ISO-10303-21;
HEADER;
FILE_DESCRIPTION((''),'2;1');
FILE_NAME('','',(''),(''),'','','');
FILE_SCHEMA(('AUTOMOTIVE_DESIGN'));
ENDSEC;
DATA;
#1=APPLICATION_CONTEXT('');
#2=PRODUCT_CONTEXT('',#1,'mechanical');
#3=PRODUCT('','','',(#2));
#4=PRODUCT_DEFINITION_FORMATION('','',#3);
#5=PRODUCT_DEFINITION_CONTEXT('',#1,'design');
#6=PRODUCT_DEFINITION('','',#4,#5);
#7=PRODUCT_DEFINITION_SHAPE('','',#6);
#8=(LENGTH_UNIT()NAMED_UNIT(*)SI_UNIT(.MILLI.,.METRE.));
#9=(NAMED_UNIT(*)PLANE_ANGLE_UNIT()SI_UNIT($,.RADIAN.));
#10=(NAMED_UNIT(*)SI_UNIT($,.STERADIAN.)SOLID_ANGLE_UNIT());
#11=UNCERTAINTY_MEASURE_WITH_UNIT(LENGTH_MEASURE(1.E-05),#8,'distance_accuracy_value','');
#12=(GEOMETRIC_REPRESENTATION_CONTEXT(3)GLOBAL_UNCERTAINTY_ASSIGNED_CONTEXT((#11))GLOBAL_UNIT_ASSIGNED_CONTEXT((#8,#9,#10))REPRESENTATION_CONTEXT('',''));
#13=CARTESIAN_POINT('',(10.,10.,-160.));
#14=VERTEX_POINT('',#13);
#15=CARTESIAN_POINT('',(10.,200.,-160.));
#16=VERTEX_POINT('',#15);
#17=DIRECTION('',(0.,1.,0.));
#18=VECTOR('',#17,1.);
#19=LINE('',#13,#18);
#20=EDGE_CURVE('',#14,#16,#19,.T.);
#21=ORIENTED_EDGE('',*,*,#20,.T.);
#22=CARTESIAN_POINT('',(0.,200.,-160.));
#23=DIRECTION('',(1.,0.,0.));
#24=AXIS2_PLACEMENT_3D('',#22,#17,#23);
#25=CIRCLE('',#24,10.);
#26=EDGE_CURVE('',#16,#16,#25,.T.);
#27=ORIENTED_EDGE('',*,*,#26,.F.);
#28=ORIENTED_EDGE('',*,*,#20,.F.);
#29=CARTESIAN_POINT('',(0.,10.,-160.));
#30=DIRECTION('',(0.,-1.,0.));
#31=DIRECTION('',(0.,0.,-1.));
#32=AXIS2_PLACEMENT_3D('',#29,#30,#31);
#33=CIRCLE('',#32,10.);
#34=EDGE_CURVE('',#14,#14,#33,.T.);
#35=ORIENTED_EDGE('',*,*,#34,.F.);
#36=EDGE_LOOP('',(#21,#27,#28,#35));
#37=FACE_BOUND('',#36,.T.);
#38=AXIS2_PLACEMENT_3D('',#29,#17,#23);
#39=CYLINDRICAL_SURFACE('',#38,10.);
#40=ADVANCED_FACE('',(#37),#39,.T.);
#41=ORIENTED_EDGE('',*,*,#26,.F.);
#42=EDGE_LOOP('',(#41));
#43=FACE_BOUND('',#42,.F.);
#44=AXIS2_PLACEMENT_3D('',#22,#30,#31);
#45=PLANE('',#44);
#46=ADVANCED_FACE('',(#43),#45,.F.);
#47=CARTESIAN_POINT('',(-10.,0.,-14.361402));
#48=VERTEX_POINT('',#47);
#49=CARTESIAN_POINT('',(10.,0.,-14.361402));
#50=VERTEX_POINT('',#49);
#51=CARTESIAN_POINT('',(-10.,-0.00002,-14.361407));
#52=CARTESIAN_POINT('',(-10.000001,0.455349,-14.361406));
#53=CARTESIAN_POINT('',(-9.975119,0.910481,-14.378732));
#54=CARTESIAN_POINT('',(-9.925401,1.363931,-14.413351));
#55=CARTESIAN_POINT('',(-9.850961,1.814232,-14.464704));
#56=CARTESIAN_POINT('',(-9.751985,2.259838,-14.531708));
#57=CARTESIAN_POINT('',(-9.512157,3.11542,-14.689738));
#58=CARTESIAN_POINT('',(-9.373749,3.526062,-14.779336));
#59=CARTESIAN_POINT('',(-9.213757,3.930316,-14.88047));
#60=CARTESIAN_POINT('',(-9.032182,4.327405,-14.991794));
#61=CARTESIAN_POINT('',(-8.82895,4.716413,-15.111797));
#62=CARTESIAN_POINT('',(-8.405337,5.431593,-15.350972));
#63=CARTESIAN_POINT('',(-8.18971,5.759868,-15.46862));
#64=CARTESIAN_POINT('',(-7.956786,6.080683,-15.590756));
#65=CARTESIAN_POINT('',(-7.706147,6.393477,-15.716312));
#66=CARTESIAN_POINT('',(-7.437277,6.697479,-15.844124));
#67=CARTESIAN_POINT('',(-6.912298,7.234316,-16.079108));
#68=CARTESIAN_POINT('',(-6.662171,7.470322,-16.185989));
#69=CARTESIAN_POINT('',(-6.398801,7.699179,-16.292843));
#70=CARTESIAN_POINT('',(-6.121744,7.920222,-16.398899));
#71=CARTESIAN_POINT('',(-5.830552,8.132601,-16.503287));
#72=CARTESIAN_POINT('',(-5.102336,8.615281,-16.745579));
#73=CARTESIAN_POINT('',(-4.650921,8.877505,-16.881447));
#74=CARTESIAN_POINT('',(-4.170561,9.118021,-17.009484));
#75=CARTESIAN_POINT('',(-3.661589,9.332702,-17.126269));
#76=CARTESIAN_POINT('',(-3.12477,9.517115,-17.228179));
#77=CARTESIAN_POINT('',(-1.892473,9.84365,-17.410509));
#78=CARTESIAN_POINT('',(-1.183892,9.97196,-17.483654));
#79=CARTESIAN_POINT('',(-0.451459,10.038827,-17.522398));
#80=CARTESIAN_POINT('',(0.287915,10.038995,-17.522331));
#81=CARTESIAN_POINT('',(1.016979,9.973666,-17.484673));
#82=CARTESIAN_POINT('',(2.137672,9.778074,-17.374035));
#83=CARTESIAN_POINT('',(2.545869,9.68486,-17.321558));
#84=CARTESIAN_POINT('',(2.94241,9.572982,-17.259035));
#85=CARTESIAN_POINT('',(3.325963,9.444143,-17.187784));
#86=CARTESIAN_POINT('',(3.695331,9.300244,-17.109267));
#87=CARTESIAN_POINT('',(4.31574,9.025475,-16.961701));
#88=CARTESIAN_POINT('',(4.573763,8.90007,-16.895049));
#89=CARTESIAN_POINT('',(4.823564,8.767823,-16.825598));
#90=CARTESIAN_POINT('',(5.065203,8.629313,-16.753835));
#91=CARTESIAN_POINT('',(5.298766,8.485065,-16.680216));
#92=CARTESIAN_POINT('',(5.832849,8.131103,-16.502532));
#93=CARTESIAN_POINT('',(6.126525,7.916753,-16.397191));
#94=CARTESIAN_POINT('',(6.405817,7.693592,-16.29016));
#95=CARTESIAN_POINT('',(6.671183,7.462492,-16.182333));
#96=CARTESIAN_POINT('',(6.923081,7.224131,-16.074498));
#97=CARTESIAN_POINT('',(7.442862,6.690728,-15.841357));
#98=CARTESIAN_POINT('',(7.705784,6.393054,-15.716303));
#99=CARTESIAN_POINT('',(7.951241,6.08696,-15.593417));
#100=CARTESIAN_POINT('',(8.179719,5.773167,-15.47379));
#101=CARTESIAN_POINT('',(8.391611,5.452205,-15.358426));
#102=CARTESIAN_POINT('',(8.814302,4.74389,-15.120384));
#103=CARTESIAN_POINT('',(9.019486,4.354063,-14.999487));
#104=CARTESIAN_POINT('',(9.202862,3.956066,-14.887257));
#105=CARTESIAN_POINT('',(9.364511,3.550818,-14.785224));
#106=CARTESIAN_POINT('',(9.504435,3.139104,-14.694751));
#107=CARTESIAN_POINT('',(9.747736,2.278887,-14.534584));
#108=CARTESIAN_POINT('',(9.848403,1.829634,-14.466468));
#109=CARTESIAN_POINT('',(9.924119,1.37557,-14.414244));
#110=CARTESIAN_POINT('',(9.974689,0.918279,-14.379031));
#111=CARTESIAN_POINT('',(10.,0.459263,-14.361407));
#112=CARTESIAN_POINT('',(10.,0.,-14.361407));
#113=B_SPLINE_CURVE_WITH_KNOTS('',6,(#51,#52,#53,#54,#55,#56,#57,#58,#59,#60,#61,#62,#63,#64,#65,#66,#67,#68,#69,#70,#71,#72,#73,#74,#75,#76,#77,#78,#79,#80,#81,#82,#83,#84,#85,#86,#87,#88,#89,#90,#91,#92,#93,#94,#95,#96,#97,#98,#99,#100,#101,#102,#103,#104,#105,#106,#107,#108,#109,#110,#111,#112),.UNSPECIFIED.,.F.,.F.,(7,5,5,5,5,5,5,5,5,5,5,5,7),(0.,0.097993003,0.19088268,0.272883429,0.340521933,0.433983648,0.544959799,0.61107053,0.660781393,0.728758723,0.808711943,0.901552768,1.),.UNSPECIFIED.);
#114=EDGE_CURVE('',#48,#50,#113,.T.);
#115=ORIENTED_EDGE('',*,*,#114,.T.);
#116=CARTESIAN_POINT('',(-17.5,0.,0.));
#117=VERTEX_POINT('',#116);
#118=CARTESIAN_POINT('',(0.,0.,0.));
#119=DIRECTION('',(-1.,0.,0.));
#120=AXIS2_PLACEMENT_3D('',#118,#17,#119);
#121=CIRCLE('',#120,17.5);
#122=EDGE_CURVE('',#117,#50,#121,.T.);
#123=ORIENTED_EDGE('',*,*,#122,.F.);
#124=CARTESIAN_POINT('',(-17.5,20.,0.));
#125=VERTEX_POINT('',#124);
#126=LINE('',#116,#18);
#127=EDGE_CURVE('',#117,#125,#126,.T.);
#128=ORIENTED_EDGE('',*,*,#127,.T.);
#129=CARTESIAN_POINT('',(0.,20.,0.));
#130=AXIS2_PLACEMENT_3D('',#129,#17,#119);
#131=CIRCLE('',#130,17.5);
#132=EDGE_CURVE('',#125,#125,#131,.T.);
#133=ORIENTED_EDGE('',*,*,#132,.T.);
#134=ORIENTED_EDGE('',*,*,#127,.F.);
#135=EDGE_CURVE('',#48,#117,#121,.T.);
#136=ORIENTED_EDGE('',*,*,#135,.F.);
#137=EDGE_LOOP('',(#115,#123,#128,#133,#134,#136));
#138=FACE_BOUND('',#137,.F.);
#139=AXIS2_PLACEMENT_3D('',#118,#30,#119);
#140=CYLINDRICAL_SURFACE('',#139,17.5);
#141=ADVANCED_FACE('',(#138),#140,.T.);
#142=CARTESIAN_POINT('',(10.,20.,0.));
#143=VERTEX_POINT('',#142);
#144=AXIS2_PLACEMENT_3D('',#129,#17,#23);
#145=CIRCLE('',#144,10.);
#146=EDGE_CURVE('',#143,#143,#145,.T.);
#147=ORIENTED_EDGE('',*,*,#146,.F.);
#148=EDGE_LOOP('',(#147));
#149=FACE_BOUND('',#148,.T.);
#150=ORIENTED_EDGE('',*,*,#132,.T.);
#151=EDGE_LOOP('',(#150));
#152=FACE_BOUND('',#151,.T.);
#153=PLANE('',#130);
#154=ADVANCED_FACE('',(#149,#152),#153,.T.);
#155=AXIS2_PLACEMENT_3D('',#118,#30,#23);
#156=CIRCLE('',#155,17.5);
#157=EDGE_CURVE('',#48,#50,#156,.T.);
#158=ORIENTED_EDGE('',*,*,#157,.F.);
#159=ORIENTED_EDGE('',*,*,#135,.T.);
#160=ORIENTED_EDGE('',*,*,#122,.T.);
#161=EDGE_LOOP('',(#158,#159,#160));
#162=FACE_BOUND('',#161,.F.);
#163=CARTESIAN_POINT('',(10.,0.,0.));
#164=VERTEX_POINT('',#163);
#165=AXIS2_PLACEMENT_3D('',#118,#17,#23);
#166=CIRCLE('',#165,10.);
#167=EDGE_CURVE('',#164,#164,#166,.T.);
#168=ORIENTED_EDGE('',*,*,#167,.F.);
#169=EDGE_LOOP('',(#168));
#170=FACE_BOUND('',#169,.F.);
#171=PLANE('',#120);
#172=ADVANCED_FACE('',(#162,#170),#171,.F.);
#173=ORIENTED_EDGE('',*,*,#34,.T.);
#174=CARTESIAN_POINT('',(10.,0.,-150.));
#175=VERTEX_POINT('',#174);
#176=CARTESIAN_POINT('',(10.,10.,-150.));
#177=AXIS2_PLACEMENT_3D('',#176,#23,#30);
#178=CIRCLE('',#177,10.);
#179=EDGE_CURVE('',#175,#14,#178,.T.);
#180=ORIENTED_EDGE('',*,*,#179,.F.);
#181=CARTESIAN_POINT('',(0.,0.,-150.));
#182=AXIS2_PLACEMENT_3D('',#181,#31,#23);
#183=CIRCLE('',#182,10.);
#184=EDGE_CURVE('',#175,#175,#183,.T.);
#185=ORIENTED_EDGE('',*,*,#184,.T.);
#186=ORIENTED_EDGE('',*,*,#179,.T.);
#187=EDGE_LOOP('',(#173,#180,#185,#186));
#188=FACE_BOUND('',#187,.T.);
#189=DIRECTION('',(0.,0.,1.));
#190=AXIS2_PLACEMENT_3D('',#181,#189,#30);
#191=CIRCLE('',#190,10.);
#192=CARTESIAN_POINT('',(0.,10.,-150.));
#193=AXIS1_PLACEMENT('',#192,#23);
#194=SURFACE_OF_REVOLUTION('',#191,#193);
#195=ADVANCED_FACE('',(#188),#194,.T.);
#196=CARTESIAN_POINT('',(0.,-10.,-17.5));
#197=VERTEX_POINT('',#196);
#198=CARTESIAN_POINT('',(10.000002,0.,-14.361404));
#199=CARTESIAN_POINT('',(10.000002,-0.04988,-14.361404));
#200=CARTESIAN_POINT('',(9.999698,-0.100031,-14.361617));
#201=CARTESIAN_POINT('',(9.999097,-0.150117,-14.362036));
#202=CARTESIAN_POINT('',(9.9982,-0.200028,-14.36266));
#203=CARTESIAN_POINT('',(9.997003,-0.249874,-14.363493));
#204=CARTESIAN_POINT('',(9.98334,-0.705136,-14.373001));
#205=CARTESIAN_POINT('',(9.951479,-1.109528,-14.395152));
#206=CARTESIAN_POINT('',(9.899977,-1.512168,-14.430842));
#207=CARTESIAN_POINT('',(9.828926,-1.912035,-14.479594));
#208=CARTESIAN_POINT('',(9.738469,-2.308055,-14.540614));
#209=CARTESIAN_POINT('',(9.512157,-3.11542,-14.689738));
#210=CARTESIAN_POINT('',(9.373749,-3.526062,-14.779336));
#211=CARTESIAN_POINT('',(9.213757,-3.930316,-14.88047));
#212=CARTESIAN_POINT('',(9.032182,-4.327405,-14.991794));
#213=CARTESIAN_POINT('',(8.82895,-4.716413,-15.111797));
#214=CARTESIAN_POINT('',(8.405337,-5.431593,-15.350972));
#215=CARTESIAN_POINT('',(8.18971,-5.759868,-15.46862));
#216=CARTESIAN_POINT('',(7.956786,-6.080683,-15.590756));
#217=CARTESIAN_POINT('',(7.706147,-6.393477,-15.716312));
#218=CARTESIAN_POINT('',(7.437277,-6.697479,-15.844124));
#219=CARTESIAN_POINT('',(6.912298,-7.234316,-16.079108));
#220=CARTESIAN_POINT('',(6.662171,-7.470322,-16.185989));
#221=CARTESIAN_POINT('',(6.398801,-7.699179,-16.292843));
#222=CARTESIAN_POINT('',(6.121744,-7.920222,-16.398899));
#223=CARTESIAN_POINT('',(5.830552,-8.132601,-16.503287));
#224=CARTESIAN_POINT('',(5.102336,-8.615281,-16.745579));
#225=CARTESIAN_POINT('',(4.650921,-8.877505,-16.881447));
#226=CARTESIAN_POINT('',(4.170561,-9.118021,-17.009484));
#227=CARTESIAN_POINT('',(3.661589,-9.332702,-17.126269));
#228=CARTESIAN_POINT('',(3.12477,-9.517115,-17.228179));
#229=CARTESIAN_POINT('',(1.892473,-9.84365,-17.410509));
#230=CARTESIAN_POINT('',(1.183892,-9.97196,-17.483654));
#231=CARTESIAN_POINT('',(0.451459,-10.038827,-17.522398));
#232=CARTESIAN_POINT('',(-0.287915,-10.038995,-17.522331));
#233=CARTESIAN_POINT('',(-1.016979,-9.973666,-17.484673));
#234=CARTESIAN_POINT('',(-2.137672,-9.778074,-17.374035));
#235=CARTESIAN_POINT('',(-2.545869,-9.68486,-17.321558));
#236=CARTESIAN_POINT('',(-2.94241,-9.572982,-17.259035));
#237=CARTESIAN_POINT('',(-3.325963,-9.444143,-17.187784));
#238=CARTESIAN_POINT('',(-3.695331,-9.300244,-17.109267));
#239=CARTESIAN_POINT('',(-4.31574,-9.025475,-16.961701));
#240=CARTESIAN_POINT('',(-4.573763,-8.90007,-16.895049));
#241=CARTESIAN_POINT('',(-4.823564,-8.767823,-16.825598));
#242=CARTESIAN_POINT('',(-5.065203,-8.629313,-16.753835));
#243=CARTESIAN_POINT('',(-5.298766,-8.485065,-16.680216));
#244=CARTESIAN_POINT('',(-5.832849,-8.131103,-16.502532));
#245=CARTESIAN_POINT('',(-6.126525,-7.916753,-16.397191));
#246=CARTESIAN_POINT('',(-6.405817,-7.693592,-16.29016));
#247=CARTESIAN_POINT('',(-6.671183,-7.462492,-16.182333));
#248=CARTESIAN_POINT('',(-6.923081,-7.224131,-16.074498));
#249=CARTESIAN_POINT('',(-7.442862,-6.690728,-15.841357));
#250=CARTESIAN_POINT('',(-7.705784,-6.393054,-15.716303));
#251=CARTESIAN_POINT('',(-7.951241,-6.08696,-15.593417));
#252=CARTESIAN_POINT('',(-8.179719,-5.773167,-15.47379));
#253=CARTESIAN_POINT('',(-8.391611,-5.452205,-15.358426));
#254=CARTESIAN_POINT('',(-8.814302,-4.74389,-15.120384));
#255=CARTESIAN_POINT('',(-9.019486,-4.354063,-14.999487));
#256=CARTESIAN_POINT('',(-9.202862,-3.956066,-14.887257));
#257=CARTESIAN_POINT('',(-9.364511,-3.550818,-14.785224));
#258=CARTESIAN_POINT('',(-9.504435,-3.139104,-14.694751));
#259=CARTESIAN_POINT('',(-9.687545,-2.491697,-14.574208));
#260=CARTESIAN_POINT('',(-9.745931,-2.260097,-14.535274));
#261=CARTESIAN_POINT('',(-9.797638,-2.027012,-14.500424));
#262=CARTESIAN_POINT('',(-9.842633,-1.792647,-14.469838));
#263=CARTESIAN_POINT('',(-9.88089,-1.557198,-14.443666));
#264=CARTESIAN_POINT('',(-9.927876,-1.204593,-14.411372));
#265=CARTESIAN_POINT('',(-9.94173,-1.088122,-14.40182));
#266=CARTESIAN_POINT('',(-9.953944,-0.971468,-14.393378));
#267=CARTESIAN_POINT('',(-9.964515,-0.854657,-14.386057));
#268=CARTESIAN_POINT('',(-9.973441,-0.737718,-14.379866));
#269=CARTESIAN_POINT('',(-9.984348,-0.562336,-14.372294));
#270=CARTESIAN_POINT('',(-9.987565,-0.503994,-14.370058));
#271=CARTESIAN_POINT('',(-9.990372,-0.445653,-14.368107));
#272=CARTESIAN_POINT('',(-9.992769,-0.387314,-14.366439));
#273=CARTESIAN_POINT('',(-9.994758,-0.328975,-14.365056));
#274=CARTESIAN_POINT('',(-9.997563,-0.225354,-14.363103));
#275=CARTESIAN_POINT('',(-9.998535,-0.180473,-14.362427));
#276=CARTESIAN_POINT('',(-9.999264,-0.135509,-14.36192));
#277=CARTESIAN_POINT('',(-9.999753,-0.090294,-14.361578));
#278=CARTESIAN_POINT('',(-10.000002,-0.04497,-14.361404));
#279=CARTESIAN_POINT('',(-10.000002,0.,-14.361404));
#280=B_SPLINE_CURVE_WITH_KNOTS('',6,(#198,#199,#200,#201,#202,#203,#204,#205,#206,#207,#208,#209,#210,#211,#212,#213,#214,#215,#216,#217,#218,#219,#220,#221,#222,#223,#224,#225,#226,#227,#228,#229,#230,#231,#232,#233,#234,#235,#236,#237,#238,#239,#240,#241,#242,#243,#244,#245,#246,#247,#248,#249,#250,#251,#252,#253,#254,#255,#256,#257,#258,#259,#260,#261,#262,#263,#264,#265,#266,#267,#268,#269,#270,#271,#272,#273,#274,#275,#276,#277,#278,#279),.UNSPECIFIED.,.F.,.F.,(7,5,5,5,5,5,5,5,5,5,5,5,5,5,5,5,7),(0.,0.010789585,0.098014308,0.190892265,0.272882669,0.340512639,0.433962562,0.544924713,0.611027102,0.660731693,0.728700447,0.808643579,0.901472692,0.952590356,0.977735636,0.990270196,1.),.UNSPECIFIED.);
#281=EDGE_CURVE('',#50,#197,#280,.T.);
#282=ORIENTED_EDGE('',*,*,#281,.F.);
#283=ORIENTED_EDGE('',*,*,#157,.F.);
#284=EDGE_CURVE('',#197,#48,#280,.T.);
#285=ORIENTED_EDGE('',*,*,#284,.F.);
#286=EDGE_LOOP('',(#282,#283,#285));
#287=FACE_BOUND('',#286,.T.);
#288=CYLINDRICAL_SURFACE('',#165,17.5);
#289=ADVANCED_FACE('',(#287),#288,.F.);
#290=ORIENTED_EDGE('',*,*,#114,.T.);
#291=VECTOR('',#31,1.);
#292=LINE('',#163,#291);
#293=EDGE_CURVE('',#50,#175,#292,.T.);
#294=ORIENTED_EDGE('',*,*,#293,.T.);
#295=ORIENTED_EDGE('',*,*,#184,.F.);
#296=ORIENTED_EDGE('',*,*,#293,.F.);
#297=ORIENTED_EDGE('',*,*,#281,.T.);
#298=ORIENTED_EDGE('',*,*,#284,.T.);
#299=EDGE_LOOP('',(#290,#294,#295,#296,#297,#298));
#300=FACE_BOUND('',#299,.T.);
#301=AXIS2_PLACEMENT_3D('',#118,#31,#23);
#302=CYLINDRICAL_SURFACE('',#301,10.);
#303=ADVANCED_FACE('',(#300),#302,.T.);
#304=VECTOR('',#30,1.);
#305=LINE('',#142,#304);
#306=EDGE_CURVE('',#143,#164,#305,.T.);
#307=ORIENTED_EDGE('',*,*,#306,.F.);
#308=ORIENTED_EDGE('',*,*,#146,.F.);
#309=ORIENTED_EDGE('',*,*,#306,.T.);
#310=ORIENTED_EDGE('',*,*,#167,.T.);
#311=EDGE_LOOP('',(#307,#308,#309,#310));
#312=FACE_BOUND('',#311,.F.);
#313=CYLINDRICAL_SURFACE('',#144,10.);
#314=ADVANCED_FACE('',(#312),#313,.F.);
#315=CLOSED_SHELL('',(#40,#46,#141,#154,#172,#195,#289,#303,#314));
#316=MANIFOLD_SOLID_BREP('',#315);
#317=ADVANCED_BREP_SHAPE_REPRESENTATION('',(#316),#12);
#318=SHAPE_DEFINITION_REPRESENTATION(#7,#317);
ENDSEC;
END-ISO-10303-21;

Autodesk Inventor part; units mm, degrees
ref_plane "YZ Plane" through (0, 0, 0) normal (1, 0, 0) x (0, 1, 0)
ref_plane "XZ Plane" through (0, 0, 0) normal (0, 1, 0) x (-1, 0, 0)
ref_plane "XY Plane" through (0, 0, 0) normal (0, 0, 1) x (1, 0, 0)
sketch "Sketch1" plane through (0, 0, 0) normal (0, 0, 1) x (1, 0, 0)
  circle A0 centre (0, 0) radius 10
  dimension "d0" = 20
sketch "Sketch2" plane through (0, 0, 0) normal (1, 0, 0) x (0, 1, 0)
  line L0 (0, 0) -> (0, -150)
  line L1 (10, -160) -> (200, -160)
  arc A0 (0, -150) -> (10, -160) centre (10, -150) ccw
  point P0 (0, -160)
  dimension "d1" = 160
  dimension "d2" = 200
  dimension "d3" = 10
sweep "Sweep1" add profiles "Sketch1" path "Sketch2"
thread "Thread1"
sketch "Sketch3" plane through (0, 0, 0) normal (0, 1, 0) x (-1, 0, 0)
  circle A0 centre (0, 0) radius 17.5
  dimension "d8" = 35
extrude "Extrusion1" add sketch "Sketch3" along normal blind 20
sketch "Sketch4" plane through (0, 20, 0) normal (0, 1, 0) x (1, 0, 0)
  circle A0 centre (0, 0) radius 10
  dimension "d11" = 20
extrude "Extrusion2" cut sketch "Sketch4" against normal through all
sketch "Sketch5" plane through (0, 0, 0) normal (0, -1, 0) x (1, 0, 0)
  arc A0 (10, -14.3614) -> (-10, -14.3614) centre (0, 0) ccw projected
  circle A1 centre (0, 0) radius 17.5
  point P0 (-10, -14.3614)
extrude "Extrusion3" cut sketch "Sketch5" along normal blind 10
